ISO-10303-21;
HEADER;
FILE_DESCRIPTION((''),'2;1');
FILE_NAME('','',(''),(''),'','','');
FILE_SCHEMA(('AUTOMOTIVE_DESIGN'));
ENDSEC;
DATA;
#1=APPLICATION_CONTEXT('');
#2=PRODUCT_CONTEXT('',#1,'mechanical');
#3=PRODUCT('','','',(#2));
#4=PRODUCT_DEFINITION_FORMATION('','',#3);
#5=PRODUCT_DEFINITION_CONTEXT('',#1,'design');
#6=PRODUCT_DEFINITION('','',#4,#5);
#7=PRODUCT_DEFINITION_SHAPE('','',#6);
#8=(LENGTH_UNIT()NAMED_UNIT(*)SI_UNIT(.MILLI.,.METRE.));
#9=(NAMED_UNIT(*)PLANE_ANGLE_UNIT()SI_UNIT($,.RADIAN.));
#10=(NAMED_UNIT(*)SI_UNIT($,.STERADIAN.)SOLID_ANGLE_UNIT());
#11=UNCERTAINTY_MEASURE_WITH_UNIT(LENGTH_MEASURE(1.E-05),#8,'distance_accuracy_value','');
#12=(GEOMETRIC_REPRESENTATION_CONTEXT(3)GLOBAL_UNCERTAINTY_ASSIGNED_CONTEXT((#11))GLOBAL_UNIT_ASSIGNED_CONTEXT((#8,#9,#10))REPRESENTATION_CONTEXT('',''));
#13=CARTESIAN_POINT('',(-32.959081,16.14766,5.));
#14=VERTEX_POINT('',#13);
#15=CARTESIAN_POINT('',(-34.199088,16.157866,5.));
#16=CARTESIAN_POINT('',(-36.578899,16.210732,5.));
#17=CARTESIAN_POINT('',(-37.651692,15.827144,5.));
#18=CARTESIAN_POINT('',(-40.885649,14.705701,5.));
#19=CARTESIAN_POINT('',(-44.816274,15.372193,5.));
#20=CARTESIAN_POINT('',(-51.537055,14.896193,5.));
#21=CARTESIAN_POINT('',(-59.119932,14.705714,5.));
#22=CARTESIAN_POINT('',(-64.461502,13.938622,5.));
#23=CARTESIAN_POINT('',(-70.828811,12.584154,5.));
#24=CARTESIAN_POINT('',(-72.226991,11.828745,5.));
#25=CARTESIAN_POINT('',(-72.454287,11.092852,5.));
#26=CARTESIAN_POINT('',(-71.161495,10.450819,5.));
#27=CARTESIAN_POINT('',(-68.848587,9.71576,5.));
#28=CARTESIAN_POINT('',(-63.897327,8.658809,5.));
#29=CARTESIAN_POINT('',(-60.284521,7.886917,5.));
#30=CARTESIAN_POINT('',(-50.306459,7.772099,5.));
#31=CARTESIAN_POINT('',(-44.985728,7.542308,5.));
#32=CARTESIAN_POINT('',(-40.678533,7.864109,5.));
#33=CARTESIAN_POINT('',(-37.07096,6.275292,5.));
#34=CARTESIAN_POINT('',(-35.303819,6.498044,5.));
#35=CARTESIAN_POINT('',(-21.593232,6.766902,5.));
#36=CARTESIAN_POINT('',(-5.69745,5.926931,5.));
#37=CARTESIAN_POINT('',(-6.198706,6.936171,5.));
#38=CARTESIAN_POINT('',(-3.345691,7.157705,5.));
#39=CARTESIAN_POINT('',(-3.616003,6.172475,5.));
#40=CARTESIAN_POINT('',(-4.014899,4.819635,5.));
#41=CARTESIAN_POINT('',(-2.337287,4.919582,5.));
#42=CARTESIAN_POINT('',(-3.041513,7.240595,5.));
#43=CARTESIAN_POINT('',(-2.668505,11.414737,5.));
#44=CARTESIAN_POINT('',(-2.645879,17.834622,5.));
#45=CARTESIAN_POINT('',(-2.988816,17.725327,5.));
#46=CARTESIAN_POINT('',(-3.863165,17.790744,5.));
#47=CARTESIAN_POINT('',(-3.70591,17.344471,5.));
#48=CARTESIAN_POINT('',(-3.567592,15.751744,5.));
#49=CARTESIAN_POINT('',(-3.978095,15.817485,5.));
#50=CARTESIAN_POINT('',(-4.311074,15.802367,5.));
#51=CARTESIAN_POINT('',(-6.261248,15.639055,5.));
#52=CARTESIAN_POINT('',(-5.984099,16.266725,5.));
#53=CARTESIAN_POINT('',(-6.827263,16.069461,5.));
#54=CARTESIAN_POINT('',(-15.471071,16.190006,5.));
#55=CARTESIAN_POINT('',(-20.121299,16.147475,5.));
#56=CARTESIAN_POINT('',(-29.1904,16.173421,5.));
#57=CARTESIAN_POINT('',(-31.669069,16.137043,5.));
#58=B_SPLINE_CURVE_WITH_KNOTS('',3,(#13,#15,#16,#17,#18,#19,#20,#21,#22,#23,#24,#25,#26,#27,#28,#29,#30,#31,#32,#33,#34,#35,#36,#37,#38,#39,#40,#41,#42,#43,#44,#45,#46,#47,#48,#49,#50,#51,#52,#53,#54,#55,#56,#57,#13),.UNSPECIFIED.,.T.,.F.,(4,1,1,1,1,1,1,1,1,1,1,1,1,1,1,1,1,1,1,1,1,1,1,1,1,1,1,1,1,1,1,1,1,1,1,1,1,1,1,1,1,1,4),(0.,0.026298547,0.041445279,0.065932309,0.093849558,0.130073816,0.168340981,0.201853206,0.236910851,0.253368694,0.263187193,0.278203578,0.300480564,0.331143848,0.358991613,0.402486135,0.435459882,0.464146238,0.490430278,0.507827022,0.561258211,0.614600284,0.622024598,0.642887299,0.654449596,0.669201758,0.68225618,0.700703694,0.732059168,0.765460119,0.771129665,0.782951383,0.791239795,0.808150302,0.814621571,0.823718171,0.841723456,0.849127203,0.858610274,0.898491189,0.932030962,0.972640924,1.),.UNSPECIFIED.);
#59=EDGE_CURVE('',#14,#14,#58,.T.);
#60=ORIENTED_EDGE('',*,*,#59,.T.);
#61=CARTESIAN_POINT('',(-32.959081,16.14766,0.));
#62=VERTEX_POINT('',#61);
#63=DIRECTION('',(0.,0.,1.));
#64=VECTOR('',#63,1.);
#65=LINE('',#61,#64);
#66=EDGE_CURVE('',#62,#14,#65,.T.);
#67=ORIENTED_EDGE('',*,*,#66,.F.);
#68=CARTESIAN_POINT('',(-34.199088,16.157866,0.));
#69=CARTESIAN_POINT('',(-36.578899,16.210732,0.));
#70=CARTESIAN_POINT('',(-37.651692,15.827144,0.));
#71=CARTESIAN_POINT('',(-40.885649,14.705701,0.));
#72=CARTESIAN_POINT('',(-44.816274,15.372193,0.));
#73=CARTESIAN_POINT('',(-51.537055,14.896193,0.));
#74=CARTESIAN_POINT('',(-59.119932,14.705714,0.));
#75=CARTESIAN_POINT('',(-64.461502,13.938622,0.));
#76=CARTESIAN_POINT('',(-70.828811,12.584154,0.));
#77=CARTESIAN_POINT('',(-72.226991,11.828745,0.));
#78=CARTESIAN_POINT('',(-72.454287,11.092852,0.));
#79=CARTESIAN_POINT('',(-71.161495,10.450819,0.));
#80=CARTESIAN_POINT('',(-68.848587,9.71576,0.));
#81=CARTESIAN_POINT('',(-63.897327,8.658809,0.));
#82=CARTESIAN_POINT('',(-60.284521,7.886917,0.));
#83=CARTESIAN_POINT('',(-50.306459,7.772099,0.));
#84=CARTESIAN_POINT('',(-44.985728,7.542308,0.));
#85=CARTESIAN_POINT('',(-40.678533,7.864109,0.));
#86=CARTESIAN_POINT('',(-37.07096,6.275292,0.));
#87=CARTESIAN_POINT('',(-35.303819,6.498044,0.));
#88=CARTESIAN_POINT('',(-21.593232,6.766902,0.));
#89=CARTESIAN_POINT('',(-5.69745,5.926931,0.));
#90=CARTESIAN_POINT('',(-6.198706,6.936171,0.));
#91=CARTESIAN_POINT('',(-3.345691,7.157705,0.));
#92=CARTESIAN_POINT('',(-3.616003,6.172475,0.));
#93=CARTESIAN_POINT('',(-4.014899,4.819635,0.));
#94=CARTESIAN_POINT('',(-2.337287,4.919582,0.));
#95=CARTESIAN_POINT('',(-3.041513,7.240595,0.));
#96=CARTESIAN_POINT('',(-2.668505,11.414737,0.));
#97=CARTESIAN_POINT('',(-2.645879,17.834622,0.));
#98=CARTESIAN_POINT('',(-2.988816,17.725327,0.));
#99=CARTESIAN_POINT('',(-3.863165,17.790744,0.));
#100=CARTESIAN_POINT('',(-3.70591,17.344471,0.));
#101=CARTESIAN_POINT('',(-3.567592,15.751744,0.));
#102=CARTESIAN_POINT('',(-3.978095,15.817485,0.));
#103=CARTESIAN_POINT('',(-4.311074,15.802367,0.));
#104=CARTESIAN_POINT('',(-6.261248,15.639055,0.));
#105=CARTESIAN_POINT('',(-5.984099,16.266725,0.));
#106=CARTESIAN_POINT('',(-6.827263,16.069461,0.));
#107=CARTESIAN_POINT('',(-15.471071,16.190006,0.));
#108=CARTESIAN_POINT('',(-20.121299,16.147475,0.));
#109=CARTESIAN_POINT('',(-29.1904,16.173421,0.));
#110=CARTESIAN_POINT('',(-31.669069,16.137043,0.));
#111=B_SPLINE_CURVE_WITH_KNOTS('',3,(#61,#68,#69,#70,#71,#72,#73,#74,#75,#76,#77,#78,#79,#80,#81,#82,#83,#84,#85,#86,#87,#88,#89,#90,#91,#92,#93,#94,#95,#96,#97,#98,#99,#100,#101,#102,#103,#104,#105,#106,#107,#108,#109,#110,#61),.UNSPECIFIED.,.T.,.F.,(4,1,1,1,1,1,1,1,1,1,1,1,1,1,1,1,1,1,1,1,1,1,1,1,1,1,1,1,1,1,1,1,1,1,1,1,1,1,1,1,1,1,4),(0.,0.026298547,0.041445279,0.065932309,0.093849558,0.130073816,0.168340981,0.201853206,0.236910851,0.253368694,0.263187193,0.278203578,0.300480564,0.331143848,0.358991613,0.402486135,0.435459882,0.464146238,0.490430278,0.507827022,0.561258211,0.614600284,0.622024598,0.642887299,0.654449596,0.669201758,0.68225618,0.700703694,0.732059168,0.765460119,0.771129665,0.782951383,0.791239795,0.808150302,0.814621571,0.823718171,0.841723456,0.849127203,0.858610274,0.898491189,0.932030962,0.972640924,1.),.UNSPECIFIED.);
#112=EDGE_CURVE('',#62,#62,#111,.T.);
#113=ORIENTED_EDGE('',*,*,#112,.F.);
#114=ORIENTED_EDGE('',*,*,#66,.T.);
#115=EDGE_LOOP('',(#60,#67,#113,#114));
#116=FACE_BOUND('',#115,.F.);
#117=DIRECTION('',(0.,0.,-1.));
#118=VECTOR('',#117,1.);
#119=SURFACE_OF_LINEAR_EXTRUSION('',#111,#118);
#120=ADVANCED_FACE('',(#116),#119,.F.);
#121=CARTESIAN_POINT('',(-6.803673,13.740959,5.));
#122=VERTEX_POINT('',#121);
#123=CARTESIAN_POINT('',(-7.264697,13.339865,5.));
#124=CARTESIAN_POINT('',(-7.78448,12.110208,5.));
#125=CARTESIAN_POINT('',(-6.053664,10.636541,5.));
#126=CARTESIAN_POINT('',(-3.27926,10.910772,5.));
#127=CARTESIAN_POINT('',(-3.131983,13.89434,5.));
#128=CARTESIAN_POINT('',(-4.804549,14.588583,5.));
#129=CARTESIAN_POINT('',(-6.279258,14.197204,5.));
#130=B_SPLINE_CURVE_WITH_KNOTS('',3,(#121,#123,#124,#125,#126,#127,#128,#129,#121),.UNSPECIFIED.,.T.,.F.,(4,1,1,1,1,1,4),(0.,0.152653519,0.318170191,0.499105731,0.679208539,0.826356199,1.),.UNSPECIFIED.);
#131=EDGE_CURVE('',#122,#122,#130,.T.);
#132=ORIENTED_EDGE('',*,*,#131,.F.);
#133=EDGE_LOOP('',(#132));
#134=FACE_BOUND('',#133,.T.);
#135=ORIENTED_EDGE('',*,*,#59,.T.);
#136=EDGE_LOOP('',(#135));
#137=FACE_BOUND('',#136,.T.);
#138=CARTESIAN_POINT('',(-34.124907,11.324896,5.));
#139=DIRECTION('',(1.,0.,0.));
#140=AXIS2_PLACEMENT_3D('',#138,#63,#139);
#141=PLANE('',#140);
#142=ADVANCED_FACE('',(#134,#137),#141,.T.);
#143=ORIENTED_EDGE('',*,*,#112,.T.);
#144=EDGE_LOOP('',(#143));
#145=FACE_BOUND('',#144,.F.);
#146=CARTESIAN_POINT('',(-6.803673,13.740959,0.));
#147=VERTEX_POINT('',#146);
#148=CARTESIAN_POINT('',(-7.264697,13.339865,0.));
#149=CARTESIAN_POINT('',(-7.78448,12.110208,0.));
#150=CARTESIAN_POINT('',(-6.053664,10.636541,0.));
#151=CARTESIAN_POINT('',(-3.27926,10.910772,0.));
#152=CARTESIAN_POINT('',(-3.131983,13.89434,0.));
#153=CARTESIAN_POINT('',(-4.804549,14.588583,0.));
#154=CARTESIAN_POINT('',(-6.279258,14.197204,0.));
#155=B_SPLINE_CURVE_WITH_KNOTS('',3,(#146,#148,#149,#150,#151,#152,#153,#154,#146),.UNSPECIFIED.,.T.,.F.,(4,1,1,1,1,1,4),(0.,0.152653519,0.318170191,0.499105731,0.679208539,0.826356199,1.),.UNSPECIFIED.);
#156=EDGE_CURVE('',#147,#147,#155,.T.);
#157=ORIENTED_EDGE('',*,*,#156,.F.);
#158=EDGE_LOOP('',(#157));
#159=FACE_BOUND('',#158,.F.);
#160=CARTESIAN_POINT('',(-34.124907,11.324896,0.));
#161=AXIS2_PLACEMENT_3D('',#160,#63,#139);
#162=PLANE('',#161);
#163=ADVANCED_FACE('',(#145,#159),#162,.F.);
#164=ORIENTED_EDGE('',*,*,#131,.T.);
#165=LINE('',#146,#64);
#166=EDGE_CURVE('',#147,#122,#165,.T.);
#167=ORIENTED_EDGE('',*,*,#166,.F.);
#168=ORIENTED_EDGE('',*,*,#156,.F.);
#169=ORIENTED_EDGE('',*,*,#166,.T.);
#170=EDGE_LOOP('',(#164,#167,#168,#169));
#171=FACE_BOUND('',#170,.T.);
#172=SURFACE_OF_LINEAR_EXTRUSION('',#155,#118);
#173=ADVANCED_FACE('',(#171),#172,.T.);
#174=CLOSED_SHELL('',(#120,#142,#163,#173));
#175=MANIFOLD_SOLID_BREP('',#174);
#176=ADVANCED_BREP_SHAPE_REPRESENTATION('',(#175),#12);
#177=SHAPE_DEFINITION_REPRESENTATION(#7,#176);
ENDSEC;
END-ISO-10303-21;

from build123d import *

# Parameters (mm, degrees)
F1_DEPTH = 5


with BuildPart() as f1:
    # F0 (on Top) → F1 (new body)
    with BuildSketch(Plane.XY):
        with BuildLine():
            add(Edge.make_bspline(
                [(-32.9590812325, 16.1476600915), (-34.199088168, 16.1578657504), (-36.5788992191, 16.2107316319), (-37.651691918, 15.8271437853), (-40.8856486621, 14.7057009545), (-44.8162744949, 15.3721927098), (-51.5370550178, 14.8961930986), (-59.1199319086, 14.7057136643), (-64.4615021192, 13.9386215596), (-70.8288112577, 12.5841539611), (-72.2269905512, 11.8287445608), (-72.4542869564, 11.0928518214), (-71.1614954471, 10.4508194346), (-68.8485868519, 9.7157600424), (-63.8973268602, 8.658808504), (-60.2845214462, 7.8869173092), (-50.3064593815, 7.7720988807), (-44.9857278108, 7.5423076202), (-40.6785325196, 7.8641093363), (-37.0709600589, 6.2752917202), (-35.3038185345, 6.4980444991), (-21.593232189, 6.7669024565), (-5.697449548, 5.9269310164), (-6.1987059659, 6.9361713058), (-3.3456908342, 7.1577048731), (-3.6160032059, 6.1724748422), (-4.0148987805, 4.8196354939), (-2.3372872316, 4.9195818286), (-3.0415132394, 7.2405946983), (-2.6685046634, 11.4147368171), (-2.6458787231, 17.8346218232), (-2.9888156353, 17.7253266933), (-3.8631645166, 17.7907441103), (-3.7059096125, 17.3444713878), (-3.5675923837, 15.7517435592), (-3.9780951088, 15.8174847947), (-4.3110737263, 15.8023674268), (-6.2612475399, 15.6390554788), (-5.9840987715, 16.2667254385), (-6.8272634165, 16.0694611841), (-15.4710714241, 16.1900056268), (-20.1212985688, 16.1474750726), (-29.1903995661, 16.1734205367), (-31.6690691488, 16.1370428741), (-32.9590812325, 16.1476600915)],
                knots=[0, 0, 0, 0, 0.0262985469, 0.0414452788, 0.0659323087, 0.0938495578, 0.1300738159, 0.1683409812, 0.2018532063, 0.2369108508, 0.2533686938, 0.263187193, 0.278203578, 0.3004805638, 0.3311438478, 0.3589916134, 0.4024861349, 0.4354598823, 0.4641462385, 0.490430278, 0.5078270222, 0.5612582114, 0.6146002837, 0.6220245984, 0.6428872991, 0.6544495962, 0.6692017585, 0.6822561798, 0.7007036943, 0.7320591676, 0.7654601186, 0.7711296652, 0.782951383, 0.7912397945, 0.8081503015, 0.8146215714, 0.8237181708, 0.8417234562, 0.8491272028, 0.8586102736, 0.8984911894, 0.9320309623, 0.9726409245, 1, 1, 1, 1], degree=3))
        make_face()
        with BuildLine():
            add(Edge.make_bspline(
                [(-6.8036732264, 13.7409586459), (-7.2646965605, 13.339865102), (-7.784480186, 12.1102076488), (-6.05366359, 10.636540942), (-3.2792599415, 10.9107718079), (-3.1319830815, 13.8943399684), (-4.8045489664, 14.5885826136), (-6.2792579071, 14.1972036629), (-6.8036732264, 13.7409586459)],
                knots=[0, 0, 0, 0, 0.1526535194, 0.3181701908, 0.4991057305, 0.6792085387, 0.8263561989, 1, 1, 1, 1], degree=3))
        make_face(mode=Mode.SUBTRACT)
    extrude(amount=F1_DEPTH)


solid = f1.part
